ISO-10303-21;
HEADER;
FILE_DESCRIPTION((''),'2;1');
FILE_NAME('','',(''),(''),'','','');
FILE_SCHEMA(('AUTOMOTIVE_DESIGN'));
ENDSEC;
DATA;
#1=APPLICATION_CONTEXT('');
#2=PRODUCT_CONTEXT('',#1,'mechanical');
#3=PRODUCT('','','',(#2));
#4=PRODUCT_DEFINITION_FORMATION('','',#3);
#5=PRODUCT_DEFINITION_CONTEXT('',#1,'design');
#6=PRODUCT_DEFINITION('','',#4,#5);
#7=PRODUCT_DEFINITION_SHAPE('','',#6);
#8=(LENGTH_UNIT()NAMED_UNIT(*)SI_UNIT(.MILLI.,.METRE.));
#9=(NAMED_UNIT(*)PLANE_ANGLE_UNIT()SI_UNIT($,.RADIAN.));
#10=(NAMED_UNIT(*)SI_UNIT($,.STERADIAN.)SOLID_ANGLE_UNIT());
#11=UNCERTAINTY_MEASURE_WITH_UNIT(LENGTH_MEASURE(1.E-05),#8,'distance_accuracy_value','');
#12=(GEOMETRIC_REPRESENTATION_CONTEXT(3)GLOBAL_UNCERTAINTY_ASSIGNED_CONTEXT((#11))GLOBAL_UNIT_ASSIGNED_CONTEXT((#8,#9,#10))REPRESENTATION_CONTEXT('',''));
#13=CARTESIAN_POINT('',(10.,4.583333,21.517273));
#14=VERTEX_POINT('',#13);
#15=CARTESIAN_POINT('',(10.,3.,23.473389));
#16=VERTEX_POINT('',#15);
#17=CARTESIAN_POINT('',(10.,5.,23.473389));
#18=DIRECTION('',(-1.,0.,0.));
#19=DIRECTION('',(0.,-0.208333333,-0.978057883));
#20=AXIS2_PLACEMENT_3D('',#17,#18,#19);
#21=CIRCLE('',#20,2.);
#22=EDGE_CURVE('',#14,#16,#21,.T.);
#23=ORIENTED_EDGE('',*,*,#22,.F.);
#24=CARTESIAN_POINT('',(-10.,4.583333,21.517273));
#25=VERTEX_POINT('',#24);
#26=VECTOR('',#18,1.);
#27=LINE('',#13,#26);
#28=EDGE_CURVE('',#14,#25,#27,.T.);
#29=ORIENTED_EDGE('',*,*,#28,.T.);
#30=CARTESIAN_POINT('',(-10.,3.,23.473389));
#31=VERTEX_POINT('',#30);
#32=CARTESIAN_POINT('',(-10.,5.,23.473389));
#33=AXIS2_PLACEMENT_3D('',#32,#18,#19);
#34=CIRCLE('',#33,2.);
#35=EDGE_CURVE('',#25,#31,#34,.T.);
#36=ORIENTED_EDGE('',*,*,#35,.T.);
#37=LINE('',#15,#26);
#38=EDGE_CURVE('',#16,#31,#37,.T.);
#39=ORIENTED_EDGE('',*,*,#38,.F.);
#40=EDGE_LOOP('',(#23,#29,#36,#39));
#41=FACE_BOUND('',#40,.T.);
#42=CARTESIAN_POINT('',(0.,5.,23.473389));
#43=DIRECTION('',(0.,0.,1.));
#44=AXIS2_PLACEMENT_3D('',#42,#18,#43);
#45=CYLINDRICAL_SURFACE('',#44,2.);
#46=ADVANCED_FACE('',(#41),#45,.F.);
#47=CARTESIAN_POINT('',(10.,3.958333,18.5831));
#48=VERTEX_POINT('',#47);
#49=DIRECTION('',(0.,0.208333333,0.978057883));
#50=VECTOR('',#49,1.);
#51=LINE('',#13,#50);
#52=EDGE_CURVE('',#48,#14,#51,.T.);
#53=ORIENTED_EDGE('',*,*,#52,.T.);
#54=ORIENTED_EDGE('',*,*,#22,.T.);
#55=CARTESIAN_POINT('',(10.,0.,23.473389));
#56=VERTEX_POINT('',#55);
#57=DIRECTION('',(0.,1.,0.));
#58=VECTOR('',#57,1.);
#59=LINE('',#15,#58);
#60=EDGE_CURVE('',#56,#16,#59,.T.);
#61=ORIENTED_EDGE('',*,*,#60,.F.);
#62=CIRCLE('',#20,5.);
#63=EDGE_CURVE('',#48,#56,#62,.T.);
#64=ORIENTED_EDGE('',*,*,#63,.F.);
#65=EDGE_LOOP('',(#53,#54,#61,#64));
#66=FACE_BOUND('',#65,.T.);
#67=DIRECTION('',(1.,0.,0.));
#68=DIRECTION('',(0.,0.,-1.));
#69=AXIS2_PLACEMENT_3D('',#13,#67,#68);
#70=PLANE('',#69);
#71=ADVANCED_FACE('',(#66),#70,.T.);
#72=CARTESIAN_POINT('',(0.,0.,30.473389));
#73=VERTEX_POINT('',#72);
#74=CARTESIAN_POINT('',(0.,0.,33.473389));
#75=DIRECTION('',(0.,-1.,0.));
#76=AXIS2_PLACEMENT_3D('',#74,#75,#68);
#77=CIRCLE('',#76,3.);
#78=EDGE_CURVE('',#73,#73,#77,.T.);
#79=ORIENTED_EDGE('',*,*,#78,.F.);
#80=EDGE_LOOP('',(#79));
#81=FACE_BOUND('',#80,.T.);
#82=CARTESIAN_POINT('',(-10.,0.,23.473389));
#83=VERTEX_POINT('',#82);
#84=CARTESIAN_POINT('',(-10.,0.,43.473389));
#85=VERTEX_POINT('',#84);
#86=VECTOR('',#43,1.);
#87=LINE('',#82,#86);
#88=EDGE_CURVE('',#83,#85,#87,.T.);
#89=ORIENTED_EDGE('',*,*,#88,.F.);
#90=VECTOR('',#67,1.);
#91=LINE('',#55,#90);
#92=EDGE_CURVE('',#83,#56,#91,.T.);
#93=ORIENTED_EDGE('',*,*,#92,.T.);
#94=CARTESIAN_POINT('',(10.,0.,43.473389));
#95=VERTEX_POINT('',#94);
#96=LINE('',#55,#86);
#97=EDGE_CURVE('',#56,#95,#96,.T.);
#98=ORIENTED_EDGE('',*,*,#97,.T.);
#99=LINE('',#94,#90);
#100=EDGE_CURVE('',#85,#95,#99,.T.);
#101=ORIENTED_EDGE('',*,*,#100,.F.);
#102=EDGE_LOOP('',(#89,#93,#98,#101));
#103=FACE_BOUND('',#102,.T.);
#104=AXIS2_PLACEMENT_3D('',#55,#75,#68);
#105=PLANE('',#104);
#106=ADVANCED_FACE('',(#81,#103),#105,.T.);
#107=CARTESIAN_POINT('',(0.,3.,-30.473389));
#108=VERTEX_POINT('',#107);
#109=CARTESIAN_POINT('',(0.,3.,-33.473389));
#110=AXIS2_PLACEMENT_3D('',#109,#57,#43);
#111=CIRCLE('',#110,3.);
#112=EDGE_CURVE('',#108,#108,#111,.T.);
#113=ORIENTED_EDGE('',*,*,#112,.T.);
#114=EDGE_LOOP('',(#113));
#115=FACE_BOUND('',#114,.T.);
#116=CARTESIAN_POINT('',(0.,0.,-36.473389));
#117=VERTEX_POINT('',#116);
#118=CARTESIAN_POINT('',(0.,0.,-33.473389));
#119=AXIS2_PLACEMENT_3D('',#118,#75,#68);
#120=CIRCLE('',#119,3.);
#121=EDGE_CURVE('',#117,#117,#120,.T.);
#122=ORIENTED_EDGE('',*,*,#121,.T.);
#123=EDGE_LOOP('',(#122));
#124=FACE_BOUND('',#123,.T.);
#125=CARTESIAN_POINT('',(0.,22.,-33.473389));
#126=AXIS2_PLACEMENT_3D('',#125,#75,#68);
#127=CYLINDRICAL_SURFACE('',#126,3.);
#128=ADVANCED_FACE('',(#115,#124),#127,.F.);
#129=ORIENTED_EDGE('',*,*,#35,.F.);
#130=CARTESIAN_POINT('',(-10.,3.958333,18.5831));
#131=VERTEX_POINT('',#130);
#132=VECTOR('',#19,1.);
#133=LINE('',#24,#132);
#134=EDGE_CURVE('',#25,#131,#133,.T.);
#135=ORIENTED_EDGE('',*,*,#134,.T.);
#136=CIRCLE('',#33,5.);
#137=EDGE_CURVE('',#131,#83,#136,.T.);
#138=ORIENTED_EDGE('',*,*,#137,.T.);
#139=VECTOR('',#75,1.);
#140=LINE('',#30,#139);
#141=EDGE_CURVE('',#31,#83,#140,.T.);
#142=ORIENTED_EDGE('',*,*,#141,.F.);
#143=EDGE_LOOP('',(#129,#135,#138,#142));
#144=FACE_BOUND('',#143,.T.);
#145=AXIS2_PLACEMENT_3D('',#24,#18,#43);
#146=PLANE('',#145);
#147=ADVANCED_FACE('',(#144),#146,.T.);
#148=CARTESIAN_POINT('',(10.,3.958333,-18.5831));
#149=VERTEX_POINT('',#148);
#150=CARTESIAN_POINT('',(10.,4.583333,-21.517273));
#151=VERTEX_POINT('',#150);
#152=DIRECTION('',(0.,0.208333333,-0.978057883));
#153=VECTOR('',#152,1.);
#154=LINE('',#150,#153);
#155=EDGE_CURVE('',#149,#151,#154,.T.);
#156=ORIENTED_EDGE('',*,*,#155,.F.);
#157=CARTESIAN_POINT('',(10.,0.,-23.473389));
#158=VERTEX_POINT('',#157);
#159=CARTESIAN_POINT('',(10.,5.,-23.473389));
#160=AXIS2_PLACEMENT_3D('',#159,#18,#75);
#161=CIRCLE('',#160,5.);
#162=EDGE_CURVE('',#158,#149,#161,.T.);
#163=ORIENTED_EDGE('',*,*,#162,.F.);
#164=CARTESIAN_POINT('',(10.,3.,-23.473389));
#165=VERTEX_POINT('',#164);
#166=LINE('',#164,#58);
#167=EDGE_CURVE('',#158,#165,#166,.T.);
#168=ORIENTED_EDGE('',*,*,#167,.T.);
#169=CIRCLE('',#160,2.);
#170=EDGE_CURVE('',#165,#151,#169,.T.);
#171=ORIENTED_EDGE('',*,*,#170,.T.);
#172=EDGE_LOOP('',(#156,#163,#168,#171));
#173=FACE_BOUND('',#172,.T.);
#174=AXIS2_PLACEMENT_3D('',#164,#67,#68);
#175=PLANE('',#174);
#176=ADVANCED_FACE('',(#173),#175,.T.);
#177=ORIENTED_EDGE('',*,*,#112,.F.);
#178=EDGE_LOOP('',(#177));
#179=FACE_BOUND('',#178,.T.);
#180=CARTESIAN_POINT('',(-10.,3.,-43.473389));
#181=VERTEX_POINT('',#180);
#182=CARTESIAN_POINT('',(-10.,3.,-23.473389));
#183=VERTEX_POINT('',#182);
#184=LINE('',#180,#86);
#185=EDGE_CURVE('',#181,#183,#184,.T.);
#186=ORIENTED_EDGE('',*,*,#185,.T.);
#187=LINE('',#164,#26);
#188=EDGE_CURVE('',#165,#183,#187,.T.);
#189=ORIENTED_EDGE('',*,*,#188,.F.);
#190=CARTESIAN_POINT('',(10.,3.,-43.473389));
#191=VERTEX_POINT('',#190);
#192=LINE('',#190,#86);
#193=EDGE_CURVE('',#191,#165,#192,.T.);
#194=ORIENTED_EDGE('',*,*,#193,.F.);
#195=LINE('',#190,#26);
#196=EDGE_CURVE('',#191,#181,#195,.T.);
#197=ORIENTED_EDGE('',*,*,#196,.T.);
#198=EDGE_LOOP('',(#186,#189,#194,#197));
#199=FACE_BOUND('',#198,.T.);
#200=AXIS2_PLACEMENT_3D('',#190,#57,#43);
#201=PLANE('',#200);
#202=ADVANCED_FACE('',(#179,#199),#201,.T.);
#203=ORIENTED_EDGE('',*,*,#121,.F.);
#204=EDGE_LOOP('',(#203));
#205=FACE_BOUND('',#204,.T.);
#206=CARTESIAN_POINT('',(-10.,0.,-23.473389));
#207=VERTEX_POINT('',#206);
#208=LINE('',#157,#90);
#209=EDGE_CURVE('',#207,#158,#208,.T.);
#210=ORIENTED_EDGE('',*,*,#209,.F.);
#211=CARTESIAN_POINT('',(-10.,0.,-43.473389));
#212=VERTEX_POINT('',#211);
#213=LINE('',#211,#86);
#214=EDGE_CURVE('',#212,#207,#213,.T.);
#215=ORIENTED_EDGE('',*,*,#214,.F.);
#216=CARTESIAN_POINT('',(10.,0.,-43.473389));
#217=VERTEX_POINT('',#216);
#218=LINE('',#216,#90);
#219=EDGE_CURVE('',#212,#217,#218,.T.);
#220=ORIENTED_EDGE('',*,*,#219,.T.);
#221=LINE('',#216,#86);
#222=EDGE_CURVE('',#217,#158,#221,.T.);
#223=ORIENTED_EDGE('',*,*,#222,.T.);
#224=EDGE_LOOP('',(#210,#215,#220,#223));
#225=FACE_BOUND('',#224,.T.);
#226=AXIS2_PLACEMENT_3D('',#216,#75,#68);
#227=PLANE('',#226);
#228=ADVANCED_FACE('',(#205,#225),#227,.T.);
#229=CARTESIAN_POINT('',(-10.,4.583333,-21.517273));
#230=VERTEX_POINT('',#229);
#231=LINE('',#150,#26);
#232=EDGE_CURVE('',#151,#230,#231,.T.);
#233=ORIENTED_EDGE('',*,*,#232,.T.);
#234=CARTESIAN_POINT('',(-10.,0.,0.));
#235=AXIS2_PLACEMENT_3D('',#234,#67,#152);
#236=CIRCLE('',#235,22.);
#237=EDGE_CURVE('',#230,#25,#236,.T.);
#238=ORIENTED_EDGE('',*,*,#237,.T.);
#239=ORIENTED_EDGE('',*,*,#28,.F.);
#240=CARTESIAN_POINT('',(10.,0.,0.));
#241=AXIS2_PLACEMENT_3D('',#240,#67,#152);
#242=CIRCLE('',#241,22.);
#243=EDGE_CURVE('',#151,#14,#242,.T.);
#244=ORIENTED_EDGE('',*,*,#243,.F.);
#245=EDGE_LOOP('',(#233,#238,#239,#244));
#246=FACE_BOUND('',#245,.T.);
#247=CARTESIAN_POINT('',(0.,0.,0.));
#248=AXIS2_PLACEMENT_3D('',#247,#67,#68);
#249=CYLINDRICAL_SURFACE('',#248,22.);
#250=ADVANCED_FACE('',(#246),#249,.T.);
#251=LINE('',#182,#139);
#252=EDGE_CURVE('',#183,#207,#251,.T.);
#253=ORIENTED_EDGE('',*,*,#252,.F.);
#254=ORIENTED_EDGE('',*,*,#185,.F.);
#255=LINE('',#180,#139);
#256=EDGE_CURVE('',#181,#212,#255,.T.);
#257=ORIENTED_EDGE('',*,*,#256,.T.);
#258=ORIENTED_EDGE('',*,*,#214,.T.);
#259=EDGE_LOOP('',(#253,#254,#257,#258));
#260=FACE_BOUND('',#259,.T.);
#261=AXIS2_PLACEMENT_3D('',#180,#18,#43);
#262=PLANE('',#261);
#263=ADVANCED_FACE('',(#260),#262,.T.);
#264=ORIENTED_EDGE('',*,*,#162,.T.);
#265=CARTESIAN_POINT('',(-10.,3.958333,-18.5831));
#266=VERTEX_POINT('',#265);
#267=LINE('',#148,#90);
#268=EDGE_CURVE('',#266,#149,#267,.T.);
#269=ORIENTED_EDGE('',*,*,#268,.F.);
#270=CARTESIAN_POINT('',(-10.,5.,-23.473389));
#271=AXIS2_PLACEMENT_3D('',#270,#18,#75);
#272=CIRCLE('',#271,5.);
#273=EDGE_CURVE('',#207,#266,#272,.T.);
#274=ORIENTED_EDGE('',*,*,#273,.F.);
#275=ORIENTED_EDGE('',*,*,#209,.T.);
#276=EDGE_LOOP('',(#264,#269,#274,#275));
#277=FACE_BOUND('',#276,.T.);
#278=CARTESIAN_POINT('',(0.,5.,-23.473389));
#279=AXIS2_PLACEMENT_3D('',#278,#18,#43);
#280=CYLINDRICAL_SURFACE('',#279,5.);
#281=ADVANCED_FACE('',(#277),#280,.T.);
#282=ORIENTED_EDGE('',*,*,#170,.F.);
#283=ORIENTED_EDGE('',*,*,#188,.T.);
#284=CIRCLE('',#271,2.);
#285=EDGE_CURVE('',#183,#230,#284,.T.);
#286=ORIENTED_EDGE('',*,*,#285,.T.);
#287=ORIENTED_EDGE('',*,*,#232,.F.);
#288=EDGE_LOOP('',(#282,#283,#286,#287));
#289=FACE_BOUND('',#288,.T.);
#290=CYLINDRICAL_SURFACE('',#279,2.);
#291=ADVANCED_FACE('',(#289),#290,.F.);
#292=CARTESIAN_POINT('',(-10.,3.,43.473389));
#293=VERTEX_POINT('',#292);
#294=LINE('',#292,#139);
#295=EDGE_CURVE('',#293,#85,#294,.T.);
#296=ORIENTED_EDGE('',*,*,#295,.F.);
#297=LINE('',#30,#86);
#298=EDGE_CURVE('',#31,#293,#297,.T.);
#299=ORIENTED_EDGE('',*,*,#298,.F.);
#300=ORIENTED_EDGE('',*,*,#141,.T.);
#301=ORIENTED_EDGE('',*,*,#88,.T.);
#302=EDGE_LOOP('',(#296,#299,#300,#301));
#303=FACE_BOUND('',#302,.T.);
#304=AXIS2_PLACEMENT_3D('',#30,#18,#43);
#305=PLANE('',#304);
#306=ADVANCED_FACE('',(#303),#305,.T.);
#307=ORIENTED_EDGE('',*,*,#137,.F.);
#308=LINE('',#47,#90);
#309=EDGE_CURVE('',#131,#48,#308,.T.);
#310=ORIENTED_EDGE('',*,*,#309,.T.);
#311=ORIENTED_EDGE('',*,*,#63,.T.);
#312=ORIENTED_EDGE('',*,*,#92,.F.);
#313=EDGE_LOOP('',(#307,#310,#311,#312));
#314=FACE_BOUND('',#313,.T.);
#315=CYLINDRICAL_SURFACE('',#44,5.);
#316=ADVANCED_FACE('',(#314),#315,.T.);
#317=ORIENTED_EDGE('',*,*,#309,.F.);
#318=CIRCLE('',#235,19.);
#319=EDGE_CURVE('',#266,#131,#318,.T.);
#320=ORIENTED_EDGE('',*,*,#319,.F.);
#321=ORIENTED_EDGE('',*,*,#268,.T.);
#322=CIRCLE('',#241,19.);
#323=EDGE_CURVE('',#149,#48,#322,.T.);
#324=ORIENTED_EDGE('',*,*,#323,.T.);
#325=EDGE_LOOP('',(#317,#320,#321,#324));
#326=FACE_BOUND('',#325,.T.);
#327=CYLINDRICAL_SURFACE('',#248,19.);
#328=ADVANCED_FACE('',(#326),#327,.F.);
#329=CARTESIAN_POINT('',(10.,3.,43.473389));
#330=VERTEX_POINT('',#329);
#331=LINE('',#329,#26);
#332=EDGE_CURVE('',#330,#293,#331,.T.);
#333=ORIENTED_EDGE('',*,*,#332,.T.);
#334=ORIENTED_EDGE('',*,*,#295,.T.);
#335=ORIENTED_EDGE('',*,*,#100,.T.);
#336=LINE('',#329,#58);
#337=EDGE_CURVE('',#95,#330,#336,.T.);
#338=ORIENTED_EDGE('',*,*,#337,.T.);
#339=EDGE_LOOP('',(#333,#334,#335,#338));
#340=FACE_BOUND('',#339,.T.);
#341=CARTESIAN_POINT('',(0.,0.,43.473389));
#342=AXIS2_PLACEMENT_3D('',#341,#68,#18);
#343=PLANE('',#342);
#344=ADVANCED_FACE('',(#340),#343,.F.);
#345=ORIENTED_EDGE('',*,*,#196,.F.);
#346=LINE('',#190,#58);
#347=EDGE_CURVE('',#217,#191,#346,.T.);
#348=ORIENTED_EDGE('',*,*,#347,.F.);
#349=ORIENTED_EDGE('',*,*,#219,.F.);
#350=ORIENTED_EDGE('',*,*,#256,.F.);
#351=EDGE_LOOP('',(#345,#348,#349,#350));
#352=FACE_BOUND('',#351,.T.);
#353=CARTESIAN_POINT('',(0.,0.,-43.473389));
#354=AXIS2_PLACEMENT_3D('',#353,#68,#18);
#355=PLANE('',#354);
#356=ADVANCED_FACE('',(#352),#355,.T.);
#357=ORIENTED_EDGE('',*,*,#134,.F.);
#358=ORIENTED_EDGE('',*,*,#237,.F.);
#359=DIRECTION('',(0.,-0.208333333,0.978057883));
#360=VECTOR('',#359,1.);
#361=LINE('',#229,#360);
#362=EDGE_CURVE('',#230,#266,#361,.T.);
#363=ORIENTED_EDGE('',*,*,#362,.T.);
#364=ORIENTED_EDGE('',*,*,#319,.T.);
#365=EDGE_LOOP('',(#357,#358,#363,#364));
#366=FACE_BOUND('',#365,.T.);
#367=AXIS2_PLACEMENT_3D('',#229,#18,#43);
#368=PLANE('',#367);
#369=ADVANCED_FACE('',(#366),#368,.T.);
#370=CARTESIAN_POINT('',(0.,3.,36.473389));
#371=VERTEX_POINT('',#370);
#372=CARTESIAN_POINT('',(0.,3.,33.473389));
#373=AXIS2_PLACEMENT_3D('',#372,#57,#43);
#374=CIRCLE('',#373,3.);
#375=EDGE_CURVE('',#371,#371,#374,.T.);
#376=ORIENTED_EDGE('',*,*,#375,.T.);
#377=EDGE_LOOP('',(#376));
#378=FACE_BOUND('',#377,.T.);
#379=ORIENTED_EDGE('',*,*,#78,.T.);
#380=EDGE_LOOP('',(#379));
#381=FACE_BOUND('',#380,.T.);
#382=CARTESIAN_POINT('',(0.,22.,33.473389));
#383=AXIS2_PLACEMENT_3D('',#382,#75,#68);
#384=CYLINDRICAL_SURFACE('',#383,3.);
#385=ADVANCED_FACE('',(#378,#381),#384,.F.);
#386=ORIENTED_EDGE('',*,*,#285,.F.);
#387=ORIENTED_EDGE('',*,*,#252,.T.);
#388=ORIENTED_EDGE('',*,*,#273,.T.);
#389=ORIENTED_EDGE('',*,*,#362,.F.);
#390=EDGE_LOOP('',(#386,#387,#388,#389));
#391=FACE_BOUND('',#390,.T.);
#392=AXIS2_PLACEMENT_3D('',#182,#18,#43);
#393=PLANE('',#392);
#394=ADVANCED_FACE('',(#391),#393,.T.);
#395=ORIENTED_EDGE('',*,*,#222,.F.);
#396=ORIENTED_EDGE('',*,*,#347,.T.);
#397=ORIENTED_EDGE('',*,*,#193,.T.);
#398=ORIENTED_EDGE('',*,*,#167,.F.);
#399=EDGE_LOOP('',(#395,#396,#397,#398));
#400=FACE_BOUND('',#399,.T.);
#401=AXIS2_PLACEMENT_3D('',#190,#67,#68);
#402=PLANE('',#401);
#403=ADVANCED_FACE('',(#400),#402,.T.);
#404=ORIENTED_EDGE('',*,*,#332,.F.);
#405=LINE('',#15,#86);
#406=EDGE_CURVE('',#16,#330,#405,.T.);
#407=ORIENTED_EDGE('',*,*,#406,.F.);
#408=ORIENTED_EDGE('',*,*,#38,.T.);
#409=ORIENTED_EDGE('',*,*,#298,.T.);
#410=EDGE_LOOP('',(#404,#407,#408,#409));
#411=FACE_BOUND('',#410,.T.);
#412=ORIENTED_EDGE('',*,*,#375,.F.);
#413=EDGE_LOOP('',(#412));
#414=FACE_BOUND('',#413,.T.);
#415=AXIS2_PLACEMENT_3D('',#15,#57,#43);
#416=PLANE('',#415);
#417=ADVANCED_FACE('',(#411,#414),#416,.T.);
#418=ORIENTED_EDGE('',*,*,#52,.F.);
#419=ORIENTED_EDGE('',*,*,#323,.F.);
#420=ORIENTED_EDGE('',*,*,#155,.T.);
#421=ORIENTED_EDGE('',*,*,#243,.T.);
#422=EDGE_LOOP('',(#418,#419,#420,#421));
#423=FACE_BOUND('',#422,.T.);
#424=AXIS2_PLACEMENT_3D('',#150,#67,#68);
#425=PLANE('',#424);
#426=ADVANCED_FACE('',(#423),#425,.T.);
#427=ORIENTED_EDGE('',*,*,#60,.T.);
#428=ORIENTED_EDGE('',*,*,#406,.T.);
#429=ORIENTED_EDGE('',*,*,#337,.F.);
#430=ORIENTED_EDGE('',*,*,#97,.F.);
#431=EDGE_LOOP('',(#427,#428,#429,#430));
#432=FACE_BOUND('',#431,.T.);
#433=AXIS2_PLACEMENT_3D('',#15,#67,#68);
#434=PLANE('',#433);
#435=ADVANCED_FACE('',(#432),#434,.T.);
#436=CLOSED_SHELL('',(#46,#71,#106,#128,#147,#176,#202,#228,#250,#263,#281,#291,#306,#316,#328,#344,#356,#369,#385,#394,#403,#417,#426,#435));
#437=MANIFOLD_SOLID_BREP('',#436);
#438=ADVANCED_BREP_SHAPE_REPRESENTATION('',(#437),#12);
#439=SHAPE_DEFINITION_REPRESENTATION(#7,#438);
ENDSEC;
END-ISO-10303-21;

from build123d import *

# Parameters (mm, degrees)
SKETCH8_W          = 20
SKETCH8_H          = 3
SKETCH10_R         = 3
CUT_EXTRUDE1_DEPTH = 50.738672756


with BuildPart() as part:
    # Sweep1: sweep along a path in Sketch7
    with BuildLine(Plane(origin=(0, 0, 0), x_dir=(0, 0, -1), z_dir=(1, 0, 0))) as sweep1_path:
        Line((43.473389189, 0), (23.473389189, 0))
        ThreePointArc((23.473389189, 0), (20.327624841, 1.113592061), (18.583099774, 3.958333333))
        ThreePointArc((18.583099774, 3.958333333), (0, 19), (-18.583099774, 3.958333333))
        ThreePointArc((-18.583099774, 3.958333333), (-20.327624841, 1.113592061), (-23.473389189, 0))
        Line((-23.473389189, 0), (-43.473389189, 0))
    # Sketch8 → Sweep1 (sweep)
    with BuildSketch(Plane.XY.offset(-43.473389189)):
        with Locations((0, 1.5)):
            Rectangle(SKETCH8_W, SKETCH8_H)
    sweep(path=sweep1_path.line)

    # Sketch10 → Cut-Extrude1 (cut, through all)
    with BuildSketch(Plane(origin=(0, 0, 0), x_dir=(-1, 0, 0), z_dir=(0, -1, 0))):
        with Locations(Location((0, 33.473389189, 0), (0, 0, 90))):
            Circle(SKETCH10_R)
        with Locations(Location((0, -33.473389189, 0), (0, 0, 90))):
            Circle(SKETCH10_R)
    extrude(amount=-CUT_EXTRUDE1_DEPTH, mode=Mode.SUBTRACT)


solid = part.part
